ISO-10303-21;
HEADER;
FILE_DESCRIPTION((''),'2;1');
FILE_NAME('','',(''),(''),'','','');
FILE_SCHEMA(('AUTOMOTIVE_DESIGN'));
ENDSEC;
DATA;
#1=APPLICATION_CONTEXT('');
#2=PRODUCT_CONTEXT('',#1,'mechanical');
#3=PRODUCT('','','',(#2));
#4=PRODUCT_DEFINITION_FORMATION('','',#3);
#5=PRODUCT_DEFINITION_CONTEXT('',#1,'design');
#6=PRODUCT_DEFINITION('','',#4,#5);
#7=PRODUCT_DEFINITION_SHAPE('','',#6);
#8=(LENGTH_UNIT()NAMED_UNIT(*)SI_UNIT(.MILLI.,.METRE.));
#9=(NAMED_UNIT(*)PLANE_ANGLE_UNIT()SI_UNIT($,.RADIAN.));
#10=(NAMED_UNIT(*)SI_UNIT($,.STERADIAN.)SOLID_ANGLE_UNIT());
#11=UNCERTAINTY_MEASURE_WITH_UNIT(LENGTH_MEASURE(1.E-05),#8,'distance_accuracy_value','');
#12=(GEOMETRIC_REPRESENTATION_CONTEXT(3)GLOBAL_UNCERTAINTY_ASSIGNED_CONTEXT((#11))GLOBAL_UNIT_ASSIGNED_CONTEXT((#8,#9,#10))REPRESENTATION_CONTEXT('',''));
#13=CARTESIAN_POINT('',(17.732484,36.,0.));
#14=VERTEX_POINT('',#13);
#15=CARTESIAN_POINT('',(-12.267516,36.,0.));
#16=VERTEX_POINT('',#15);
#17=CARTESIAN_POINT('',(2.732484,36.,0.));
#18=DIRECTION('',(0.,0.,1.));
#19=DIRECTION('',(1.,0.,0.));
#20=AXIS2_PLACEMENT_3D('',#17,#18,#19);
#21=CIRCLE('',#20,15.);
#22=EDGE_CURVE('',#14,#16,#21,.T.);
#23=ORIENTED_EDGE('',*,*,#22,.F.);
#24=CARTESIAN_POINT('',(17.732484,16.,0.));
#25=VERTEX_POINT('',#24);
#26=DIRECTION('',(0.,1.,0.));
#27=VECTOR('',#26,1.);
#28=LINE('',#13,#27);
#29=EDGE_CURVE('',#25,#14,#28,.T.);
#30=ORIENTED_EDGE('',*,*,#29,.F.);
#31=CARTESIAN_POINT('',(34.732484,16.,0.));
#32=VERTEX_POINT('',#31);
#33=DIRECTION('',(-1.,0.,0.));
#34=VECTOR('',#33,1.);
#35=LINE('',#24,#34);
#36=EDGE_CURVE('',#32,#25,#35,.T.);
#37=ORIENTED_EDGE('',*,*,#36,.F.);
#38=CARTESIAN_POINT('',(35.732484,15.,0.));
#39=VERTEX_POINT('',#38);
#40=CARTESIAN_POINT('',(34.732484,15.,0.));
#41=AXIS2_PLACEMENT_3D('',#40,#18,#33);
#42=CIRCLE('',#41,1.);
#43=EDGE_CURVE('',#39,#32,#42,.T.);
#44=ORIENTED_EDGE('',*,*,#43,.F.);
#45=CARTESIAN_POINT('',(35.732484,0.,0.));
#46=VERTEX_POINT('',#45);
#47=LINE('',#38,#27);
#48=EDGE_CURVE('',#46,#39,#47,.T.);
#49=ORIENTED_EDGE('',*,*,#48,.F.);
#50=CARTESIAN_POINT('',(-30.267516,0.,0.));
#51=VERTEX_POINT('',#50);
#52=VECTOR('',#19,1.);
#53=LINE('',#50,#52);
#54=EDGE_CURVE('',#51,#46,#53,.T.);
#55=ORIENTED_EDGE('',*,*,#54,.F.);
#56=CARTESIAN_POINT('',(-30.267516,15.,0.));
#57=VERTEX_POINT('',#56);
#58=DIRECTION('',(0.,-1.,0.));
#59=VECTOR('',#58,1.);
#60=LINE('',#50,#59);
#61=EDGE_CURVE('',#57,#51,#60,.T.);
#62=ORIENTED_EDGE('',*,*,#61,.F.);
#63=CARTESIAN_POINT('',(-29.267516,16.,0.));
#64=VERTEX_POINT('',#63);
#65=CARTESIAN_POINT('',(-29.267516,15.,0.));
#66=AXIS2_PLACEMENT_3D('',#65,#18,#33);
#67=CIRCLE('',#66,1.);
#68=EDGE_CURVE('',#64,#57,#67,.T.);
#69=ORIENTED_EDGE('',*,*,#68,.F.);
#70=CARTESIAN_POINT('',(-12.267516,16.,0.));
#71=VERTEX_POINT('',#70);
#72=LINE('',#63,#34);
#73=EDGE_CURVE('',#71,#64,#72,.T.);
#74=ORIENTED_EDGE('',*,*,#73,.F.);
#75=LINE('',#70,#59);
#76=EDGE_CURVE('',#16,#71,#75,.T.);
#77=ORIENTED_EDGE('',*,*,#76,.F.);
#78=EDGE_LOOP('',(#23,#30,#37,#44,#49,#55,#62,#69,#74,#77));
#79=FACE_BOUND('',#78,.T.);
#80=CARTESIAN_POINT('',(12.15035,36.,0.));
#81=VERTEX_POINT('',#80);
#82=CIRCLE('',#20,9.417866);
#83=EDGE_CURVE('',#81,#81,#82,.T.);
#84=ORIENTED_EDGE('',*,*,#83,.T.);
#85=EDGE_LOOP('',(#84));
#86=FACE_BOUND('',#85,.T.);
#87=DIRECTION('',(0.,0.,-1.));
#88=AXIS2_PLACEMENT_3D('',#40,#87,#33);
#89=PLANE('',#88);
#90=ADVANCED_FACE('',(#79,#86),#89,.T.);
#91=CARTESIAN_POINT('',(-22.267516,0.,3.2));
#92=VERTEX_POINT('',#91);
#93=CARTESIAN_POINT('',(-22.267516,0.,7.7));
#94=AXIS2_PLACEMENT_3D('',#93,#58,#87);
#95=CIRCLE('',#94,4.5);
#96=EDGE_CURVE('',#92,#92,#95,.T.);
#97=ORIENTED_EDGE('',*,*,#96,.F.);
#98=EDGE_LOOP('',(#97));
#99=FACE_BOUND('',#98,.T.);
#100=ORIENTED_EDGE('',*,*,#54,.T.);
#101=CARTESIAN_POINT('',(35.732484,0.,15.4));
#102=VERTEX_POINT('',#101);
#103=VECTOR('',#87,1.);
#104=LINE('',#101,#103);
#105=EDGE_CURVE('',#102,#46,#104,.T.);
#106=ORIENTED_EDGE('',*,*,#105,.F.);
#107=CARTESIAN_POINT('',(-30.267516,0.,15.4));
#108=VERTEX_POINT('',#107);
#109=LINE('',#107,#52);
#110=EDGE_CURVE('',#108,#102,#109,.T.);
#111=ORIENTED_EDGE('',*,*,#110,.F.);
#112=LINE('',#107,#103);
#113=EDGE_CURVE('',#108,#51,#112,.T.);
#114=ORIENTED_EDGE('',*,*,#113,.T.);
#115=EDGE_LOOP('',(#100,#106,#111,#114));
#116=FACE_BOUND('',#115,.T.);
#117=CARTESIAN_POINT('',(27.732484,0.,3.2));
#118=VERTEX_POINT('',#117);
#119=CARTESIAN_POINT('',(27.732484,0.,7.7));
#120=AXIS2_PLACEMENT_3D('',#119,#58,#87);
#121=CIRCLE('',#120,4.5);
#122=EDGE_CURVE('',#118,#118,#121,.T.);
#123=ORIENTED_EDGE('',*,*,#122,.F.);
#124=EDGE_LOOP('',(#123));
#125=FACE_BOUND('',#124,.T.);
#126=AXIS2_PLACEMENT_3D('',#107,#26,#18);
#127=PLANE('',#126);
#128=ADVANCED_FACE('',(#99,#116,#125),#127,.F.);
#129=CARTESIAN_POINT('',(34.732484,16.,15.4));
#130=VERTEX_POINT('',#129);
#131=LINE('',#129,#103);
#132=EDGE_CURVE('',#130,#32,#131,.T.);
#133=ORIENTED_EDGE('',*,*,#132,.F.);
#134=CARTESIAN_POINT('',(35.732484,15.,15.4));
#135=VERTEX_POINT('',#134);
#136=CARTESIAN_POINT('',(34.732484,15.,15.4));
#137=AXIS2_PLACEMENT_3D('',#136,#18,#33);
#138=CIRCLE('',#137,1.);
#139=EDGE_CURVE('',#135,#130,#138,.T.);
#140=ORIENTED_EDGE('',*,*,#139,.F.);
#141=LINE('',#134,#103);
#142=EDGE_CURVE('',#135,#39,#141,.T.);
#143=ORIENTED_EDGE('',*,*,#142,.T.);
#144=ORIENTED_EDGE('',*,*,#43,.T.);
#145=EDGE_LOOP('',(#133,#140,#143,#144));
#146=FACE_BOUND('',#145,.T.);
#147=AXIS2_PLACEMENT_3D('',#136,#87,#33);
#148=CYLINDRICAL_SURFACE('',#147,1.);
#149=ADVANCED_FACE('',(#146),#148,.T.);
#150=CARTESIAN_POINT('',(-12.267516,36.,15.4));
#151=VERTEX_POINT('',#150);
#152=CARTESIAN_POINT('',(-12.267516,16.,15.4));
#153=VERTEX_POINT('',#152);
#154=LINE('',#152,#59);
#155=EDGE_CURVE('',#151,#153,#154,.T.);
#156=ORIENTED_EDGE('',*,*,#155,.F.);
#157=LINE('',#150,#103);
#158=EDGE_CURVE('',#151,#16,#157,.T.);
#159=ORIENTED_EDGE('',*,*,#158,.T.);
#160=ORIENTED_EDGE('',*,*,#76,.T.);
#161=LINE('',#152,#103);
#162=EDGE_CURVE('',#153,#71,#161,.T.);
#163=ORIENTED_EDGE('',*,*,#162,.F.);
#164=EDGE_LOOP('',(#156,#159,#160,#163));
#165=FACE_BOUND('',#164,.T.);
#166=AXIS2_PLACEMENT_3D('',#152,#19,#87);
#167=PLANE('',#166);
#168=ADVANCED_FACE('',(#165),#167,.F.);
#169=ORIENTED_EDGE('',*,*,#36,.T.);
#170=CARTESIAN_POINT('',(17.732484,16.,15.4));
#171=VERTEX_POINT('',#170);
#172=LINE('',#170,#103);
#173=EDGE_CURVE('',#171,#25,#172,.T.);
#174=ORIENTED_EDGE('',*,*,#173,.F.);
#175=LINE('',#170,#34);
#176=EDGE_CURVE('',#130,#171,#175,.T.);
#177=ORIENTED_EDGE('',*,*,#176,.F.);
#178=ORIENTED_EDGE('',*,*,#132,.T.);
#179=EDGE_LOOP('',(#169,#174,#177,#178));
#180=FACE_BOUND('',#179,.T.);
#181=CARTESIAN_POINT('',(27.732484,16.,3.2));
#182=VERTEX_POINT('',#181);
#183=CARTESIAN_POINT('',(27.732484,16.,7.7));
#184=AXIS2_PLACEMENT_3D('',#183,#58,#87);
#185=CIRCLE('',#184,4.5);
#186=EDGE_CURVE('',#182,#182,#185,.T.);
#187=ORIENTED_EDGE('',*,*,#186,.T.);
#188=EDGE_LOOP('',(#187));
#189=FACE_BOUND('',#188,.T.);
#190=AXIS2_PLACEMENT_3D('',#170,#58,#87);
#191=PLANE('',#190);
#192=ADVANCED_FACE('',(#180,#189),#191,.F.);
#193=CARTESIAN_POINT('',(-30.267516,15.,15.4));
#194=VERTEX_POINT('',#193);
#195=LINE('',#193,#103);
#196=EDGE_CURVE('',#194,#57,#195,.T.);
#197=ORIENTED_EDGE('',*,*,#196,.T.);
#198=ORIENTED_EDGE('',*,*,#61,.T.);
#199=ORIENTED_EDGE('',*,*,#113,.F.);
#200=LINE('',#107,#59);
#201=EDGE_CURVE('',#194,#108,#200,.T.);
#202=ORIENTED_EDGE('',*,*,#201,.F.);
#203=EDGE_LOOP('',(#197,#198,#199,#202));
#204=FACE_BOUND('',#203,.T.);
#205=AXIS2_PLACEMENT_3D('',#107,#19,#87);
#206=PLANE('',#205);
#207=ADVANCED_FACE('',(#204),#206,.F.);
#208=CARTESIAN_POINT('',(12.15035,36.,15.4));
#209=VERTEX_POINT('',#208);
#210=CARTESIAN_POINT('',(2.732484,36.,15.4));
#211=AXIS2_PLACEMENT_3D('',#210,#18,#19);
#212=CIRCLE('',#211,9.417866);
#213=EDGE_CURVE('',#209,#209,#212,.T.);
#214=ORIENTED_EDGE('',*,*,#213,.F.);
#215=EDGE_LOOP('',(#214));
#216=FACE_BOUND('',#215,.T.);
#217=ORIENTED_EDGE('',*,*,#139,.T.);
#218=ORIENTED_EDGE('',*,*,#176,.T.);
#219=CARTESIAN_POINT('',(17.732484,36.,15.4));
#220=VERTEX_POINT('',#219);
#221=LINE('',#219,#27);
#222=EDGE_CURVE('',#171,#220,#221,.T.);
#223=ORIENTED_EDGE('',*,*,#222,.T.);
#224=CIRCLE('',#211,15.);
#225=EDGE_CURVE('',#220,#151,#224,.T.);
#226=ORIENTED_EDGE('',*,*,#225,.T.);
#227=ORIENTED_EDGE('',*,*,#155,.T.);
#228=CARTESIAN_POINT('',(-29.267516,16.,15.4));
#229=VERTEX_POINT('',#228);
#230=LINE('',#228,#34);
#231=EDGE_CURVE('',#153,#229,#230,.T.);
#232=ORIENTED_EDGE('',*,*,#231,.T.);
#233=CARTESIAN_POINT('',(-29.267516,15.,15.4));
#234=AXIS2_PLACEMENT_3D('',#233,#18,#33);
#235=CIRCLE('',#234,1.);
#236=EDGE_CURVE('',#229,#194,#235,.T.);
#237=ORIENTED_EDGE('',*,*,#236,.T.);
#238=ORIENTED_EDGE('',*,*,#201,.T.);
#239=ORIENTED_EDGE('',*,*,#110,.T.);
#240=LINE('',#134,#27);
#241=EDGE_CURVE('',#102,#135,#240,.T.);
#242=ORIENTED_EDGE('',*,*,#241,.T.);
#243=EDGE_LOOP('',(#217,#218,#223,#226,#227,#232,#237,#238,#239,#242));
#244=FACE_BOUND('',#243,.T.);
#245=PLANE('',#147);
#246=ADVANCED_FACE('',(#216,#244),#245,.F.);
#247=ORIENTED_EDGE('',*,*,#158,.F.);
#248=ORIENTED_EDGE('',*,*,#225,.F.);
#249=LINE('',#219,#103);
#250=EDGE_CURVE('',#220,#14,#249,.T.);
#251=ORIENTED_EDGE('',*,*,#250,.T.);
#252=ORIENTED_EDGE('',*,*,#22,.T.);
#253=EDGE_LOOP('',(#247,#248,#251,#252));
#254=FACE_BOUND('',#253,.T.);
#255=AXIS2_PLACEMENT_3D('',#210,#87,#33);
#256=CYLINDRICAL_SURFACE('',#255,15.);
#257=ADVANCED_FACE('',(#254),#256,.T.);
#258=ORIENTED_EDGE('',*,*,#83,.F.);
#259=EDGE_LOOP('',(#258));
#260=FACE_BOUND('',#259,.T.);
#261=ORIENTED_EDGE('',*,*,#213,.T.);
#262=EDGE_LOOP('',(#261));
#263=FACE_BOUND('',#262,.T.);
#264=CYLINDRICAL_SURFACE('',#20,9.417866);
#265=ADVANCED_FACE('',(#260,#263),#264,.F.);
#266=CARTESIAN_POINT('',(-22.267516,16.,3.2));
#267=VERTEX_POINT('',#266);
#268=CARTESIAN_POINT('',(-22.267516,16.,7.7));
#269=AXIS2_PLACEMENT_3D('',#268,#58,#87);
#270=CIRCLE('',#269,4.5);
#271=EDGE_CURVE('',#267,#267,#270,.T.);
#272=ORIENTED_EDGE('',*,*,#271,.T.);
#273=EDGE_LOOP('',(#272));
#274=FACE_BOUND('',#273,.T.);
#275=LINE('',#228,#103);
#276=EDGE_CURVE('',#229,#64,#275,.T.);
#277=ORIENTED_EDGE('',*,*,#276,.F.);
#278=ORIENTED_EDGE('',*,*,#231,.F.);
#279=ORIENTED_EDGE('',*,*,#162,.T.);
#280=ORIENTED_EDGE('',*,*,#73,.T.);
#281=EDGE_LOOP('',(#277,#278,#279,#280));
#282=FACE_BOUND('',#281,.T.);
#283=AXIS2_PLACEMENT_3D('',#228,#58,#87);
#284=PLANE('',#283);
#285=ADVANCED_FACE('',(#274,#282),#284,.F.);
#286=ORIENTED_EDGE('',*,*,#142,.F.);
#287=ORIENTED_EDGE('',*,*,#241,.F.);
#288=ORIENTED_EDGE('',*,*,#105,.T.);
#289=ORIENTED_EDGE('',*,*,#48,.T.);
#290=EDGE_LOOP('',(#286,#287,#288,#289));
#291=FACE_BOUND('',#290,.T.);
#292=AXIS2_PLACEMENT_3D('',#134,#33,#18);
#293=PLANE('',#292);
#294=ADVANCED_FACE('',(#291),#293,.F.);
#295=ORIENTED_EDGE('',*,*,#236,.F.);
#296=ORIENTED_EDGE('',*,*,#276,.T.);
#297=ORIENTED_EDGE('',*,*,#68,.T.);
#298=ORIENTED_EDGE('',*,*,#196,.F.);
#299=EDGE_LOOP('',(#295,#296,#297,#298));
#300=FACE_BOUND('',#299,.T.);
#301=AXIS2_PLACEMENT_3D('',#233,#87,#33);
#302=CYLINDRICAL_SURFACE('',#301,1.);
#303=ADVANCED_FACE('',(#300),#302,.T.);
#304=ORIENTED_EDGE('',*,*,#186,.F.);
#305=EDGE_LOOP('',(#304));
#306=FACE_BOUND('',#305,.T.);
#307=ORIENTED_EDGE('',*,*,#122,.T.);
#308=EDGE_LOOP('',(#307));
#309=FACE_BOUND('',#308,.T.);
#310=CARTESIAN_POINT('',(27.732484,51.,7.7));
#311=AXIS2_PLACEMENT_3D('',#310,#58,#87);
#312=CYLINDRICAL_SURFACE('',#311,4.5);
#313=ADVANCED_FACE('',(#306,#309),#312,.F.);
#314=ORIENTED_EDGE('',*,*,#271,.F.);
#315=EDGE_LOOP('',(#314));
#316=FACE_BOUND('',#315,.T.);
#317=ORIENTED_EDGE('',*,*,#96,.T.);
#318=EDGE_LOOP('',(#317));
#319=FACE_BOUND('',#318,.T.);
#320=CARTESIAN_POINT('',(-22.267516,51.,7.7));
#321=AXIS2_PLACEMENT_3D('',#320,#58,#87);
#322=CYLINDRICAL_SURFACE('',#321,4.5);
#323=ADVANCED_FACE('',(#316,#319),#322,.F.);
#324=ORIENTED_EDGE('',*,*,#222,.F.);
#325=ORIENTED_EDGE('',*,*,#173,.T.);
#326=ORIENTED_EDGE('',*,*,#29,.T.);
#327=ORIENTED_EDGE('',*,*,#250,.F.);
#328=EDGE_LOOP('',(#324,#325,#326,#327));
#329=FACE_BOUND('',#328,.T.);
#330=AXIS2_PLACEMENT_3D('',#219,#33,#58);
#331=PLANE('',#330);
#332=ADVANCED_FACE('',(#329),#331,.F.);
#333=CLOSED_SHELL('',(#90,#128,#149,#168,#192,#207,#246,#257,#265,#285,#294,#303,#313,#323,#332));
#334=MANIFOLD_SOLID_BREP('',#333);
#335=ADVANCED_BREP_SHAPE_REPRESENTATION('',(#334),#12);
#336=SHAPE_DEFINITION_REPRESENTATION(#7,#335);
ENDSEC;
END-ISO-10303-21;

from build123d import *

# Parameters (mm, degrees)
SALIENTE_EXTRUIR1_DEPTH = 15.4
CROQUIS2_R              = 9.417866401
CORTAR_EXTRUIR1_DEPTH   = 16.4
CROQUIS3_R              = 4.5
CORTAR_EXTRUIR2_DEPTH   = 52


with BuildPart() as part:
    # Croquis1 → Saliente-Extruir1 (new body)
    with BuildSketch(Plane.XY):
        with BuildLine():
            Line((-30.267515924, 0), (-30.267515924, 15))
            ThreePointArc((-30.267515924, 15), (-29.974622705, 15.707106781), (-29.267515924, 16))
            Line((-29.267515924, 16), (-12.267515924, 16))
            Line((-12.267515924, 16), (-12.267515924, 36))
            ThreePointArc((-12.267515924, 36), (2.732484076, 51), (17.732484076, 36))
            Line((17.732484076, 36), (17.732484076, 16))
            Line((17.732484076, 16), (34.732484076, 16))
            ThreePointArc((34.732484076, 16), (35.439590858, 15.707106781), (35.732484076, 15))
            Line((35.732484076, 15), (35.732484076, 0))
            Line((35.732484076, 0), (-30.267515924, 0))
        make_face()
    extrude(amount=SALIENTE_EXTRUIR1_DEPTH)

    # Croquis2 → Cortar-Extruir1 (cut, through all)
    with BuildSketch(Plane.XY.offset(15.4)):
        with Locations((2.732484076, 36)):
            Circle(CROQUIS2_R)
    extrude(amount=-CORTAR_EXTRUIR1_DEPTH, mode=Mode.SUBTRACT)

    # Croquis3 → Cortar-Extruir2 (cut, through all)
    with BuildSketch(Plane.XZ):
        with Locations((-22.267515924, 7.7)):
            Circle(CROQUIS3_R)
        with Locations((27.732484076, 7.7)):
            Circle(CROQUIS3_R)
    extrude(amount=-CORTAR_EXTRUIR2_DEPTH, mode=Mode.SUBTRACT)


solid = part.part
